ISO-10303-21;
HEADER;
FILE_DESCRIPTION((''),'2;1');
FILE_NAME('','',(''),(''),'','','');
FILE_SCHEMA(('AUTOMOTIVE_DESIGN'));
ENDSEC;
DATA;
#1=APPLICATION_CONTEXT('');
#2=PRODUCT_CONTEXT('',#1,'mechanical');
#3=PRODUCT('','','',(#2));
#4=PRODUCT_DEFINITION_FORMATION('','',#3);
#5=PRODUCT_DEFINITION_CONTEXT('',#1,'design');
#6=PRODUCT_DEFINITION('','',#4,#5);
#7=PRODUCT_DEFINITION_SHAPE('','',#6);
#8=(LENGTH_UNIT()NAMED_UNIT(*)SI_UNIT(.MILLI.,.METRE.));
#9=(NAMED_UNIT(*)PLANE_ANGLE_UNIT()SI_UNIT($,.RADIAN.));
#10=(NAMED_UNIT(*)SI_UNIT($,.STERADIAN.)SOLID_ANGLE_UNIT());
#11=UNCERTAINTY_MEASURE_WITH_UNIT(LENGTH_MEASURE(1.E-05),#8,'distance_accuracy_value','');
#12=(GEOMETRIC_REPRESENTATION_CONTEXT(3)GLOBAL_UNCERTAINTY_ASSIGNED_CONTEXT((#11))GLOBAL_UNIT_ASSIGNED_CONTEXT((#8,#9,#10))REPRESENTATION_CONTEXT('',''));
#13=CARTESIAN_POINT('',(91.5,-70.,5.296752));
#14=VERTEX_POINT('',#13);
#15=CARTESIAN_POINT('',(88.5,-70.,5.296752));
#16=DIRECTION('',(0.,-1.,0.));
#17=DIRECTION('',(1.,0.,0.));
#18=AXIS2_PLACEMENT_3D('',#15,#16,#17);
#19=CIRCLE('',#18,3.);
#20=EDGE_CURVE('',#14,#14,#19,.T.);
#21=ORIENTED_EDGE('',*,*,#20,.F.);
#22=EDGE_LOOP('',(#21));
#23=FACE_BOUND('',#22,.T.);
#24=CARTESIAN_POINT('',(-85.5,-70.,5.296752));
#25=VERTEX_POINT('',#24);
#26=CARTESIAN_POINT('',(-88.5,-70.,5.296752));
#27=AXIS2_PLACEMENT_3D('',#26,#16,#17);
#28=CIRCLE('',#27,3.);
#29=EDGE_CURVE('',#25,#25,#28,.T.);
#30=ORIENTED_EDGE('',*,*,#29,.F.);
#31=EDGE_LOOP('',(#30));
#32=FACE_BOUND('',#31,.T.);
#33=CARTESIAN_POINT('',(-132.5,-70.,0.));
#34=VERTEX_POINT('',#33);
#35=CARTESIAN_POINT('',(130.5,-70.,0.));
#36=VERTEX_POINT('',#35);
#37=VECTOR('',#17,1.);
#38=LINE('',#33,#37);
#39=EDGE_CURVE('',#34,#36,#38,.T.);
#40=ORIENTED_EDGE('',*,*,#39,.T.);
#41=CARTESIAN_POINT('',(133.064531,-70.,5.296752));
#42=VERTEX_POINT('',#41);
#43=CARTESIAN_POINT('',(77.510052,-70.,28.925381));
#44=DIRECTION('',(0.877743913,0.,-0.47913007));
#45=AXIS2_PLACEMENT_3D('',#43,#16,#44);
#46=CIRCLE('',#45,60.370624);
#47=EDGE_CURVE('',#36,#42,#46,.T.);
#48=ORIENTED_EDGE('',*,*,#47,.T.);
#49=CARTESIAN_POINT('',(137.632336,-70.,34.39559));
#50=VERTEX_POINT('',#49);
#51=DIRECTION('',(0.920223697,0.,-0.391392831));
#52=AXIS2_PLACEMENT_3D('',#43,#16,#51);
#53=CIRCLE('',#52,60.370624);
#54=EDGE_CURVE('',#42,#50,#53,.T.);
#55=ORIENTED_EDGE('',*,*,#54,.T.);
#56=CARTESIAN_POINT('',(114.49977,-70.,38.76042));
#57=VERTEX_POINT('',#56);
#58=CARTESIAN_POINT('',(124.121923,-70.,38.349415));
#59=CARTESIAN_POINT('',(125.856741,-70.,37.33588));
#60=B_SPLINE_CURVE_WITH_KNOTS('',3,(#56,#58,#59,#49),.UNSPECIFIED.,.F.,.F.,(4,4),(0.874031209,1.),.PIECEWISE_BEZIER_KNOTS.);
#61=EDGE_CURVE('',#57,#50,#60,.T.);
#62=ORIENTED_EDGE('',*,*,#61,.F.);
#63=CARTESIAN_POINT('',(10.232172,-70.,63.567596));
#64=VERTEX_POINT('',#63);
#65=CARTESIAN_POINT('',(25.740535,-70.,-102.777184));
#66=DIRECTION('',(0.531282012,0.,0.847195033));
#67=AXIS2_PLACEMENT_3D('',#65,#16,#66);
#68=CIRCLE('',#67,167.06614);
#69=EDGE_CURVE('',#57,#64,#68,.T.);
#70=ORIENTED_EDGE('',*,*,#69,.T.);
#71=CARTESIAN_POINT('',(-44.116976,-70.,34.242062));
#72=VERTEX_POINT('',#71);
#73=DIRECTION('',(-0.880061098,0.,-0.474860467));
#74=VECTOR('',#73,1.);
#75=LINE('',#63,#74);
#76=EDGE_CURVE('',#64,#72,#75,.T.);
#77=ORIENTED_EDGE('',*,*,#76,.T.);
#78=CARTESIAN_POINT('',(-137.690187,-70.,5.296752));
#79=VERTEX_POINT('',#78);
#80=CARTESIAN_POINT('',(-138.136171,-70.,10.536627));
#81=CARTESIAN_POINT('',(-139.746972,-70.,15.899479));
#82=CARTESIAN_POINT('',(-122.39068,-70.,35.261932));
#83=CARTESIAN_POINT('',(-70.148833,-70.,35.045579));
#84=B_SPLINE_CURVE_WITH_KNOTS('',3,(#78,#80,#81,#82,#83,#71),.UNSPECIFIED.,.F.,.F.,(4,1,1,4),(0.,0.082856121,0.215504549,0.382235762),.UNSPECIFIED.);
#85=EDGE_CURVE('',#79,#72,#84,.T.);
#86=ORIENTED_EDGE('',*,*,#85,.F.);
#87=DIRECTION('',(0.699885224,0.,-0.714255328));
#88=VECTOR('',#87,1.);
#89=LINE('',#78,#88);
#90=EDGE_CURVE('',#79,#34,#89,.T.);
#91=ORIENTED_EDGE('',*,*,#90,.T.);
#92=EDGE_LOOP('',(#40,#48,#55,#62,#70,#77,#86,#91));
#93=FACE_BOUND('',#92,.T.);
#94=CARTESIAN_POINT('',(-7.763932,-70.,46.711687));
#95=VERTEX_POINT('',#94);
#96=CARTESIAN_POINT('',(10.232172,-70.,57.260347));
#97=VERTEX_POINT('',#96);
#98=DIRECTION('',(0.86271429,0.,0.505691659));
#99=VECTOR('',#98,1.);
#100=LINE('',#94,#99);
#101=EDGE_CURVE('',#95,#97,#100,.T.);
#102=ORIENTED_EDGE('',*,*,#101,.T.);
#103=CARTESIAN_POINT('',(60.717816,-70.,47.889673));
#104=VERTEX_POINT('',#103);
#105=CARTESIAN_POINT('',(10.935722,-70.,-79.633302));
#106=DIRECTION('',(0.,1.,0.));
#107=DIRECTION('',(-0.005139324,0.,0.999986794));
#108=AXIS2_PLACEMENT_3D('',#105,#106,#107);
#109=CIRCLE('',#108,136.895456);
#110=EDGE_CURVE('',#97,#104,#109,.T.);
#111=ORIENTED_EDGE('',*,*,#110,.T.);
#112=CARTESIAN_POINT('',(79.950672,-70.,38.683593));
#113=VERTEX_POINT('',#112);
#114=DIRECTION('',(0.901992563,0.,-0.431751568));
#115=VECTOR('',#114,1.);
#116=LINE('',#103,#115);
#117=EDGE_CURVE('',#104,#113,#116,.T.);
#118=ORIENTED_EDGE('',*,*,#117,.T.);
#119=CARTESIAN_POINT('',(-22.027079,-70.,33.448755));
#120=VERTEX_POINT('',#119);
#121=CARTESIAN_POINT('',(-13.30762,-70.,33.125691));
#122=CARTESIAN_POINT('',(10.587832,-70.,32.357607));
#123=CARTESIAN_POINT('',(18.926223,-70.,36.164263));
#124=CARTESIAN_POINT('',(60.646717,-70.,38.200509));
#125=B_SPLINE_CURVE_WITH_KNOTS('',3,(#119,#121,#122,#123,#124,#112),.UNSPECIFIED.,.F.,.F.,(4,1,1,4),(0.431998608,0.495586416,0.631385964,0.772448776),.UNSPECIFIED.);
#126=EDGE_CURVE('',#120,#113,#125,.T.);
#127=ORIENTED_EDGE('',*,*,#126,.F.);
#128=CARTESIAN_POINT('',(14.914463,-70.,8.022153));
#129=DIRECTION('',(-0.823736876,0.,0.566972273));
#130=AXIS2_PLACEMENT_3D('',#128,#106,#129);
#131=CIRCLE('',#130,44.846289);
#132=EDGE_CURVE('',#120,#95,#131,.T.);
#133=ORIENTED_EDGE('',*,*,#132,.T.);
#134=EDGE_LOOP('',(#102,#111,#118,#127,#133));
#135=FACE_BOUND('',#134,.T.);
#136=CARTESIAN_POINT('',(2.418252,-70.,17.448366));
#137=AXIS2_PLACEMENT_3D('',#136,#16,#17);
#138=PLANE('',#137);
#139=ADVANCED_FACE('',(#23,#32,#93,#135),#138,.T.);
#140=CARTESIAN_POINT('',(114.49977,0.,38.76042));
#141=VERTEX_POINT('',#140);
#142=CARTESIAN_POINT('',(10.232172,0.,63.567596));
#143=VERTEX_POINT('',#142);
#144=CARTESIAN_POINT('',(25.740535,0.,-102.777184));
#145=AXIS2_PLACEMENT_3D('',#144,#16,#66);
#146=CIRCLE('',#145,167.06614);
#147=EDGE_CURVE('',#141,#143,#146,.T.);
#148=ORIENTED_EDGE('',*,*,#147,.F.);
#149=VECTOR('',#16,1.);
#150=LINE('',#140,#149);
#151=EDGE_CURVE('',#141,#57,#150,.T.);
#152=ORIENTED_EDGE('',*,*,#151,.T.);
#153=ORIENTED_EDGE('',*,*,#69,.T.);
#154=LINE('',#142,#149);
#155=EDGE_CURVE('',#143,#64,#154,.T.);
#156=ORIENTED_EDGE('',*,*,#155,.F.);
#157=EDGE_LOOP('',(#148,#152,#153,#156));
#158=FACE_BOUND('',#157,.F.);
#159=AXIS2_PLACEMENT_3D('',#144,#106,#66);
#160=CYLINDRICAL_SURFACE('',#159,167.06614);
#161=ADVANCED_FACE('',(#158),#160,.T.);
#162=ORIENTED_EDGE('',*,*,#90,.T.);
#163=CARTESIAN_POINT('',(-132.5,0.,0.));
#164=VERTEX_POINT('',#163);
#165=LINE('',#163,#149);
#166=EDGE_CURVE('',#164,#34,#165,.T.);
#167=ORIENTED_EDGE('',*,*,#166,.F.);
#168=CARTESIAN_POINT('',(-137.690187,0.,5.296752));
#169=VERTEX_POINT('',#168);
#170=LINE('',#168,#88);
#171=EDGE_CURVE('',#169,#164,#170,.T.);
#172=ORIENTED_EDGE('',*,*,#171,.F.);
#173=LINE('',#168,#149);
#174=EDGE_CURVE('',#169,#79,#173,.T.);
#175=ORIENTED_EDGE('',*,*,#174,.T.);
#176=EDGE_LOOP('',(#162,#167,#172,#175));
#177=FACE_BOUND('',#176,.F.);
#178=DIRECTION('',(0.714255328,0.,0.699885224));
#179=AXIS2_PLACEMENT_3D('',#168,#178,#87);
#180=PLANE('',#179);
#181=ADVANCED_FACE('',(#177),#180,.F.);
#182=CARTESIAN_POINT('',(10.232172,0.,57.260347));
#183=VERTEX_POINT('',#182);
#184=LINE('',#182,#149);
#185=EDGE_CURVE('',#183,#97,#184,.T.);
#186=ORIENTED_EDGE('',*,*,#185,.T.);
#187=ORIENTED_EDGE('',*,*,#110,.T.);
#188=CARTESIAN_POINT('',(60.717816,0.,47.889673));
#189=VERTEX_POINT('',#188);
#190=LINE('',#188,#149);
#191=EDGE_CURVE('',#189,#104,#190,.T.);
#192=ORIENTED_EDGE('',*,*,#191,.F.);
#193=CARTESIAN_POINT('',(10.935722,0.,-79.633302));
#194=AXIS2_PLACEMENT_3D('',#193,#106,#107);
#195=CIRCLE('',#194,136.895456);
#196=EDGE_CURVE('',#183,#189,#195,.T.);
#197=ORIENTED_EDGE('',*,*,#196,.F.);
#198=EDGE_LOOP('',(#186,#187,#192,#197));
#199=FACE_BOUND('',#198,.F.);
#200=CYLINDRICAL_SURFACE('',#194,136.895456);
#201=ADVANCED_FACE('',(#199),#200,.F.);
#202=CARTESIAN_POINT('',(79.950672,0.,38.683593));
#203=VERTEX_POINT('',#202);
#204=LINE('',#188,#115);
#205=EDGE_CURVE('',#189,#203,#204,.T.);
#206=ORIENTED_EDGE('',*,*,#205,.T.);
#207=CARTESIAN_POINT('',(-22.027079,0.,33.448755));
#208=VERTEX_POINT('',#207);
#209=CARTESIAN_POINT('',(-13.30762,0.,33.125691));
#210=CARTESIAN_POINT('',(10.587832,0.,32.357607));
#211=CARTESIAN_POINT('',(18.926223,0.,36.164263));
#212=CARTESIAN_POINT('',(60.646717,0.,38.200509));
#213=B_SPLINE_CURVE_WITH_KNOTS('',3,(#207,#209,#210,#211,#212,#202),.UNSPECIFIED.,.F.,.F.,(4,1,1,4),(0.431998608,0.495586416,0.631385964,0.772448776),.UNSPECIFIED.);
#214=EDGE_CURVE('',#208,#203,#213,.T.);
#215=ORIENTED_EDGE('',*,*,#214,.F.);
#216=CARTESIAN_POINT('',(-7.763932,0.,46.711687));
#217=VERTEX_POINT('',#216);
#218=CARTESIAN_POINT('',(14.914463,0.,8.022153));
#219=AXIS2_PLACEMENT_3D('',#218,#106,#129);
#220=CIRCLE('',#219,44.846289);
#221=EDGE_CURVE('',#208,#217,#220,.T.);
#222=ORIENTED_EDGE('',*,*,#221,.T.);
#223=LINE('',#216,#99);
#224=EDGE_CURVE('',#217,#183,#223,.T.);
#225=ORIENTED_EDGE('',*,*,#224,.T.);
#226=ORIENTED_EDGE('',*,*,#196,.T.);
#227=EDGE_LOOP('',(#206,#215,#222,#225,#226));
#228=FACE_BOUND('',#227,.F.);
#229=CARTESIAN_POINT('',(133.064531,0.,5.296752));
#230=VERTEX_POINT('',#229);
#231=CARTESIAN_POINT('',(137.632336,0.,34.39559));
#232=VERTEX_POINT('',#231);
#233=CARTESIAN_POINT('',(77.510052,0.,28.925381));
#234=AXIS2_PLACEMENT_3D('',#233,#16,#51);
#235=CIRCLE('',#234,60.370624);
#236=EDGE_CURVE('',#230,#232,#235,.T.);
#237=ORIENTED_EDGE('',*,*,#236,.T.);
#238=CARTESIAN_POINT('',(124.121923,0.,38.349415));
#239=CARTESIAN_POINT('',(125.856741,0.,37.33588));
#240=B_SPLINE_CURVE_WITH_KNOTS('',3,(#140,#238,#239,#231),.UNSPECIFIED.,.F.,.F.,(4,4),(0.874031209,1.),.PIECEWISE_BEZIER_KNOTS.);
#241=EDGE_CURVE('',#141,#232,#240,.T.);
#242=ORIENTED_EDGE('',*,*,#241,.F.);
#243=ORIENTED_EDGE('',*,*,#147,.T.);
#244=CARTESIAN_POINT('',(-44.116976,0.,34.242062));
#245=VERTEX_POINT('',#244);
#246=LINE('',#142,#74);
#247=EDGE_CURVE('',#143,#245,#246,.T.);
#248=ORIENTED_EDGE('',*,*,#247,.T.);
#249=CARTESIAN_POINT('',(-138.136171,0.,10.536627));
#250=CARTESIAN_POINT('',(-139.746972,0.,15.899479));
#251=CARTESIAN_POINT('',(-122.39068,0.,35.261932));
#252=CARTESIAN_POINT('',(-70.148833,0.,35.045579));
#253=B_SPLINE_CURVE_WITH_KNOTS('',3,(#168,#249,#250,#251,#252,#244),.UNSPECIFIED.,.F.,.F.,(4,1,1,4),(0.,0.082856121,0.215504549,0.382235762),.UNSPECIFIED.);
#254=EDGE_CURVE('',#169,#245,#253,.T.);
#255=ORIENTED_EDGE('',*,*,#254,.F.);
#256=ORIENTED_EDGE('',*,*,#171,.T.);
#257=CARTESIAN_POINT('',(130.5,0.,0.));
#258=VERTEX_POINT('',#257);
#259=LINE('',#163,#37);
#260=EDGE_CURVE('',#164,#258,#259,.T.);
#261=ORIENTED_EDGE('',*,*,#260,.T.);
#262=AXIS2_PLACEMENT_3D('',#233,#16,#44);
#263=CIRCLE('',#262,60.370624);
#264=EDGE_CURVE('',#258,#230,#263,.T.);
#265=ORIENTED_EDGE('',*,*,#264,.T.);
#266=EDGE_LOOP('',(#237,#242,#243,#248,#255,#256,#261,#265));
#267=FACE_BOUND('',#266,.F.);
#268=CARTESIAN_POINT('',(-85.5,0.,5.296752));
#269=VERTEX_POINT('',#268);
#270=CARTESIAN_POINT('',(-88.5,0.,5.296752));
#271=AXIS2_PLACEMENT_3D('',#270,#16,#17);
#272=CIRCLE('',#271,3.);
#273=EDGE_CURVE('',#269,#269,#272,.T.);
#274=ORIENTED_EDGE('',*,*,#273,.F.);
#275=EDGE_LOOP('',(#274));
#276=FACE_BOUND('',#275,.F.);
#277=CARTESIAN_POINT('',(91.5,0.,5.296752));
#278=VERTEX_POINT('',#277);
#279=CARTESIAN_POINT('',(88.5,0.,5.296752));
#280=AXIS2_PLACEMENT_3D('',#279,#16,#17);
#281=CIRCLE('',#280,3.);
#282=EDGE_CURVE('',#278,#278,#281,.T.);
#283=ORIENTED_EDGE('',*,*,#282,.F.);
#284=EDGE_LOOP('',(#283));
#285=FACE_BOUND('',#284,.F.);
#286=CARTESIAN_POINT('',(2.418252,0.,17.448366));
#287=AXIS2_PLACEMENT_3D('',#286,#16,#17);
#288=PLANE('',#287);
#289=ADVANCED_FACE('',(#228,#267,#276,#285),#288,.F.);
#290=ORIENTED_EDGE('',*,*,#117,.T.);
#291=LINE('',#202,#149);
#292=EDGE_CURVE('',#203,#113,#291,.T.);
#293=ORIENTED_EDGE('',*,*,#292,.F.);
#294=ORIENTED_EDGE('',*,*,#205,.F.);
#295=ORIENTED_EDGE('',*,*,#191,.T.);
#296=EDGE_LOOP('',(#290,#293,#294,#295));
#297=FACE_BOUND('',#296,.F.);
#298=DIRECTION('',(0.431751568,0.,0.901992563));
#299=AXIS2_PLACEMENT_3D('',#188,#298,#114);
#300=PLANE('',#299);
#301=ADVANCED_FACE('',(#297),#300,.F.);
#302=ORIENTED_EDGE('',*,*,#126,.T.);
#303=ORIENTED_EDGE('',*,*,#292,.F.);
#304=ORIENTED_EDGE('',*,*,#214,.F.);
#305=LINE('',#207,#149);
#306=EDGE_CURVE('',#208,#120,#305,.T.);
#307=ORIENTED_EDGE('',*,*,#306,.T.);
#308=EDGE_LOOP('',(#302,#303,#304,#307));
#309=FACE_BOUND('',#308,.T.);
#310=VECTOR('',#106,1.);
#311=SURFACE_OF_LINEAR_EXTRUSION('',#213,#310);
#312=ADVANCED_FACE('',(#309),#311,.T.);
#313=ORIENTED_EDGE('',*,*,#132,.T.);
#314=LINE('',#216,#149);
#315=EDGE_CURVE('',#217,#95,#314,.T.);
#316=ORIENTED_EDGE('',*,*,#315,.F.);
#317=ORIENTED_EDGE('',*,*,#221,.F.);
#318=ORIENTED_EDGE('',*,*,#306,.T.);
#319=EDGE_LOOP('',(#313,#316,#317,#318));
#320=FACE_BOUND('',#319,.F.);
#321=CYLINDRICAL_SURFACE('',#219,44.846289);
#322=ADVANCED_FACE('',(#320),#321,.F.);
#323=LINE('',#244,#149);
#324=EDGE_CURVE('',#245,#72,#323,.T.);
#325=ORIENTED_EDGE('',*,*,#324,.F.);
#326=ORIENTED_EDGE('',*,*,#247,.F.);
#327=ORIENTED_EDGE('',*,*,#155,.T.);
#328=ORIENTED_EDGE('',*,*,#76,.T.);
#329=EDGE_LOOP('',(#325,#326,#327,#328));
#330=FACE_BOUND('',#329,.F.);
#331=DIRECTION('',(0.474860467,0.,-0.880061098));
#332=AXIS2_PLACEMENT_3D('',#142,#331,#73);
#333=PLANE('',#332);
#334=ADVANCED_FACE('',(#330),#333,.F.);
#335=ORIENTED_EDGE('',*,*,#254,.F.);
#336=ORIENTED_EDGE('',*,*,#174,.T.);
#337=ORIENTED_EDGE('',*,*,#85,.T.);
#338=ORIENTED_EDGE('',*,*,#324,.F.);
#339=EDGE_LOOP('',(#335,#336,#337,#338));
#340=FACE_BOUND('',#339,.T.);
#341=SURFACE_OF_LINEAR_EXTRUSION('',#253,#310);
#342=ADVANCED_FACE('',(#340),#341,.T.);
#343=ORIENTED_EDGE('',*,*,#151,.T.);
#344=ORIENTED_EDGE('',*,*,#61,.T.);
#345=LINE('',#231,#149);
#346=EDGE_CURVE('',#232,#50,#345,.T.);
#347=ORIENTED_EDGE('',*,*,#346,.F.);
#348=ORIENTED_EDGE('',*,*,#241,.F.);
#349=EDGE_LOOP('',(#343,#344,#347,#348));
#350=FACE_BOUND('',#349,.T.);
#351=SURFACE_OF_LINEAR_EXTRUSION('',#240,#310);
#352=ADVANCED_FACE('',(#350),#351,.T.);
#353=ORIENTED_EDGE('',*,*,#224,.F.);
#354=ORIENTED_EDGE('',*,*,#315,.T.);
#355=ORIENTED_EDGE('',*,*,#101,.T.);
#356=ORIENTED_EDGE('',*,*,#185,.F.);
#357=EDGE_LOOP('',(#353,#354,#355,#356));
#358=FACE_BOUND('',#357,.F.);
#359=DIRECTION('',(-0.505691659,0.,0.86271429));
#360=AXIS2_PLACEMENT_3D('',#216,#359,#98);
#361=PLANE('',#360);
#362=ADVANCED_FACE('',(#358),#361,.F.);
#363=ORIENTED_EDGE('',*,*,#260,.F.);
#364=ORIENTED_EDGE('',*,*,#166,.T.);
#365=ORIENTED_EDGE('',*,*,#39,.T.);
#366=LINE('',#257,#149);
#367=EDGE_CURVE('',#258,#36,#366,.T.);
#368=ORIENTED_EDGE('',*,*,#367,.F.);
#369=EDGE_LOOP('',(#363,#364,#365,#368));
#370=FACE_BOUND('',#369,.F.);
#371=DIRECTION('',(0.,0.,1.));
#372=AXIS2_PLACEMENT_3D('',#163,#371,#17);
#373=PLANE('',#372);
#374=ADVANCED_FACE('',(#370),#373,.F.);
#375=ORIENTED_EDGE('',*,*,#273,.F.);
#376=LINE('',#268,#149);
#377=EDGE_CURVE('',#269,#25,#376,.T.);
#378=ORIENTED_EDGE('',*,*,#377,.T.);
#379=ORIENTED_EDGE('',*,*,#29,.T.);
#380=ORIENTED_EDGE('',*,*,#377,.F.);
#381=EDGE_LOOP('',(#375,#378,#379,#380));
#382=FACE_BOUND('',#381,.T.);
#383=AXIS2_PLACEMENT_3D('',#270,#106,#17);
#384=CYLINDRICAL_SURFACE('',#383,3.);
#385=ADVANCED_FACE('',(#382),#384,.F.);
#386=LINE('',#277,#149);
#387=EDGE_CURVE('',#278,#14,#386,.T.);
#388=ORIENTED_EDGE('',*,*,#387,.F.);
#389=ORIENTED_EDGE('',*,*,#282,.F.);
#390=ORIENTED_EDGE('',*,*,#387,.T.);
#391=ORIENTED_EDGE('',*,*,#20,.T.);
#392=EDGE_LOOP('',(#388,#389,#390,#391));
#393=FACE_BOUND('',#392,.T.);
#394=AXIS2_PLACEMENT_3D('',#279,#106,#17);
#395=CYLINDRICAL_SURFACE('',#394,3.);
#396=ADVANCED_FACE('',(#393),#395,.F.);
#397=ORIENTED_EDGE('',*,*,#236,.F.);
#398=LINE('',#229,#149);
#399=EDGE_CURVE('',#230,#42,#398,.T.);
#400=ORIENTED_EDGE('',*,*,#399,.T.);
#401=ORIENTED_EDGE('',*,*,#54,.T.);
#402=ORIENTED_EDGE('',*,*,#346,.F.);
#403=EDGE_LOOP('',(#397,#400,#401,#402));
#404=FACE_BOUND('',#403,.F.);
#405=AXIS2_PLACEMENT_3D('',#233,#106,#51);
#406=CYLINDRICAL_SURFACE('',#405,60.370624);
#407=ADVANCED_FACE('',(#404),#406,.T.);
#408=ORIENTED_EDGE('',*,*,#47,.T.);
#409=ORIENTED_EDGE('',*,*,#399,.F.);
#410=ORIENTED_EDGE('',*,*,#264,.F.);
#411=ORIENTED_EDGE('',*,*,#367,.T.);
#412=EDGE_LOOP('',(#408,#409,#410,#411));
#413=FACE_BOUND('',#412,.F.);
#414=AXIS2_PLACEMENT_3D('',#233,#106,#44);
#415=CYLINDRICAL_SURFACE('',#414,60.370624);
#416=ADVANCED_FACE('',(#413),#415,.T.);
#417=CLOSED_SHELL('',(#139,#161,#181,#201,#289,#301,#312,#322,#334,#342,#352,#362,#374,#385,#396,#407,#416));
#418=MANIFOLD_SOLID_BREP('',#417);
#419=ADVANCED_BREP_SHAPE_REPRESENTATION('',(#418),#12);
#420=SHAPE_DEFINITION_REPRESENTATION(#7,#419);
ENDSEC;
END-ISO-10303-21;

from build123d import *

# Parameters (mm, degrees)
F0_R     = 3
F1_DEPTH = 70


with BuildPart() as f1:
    # F0 (on Front) → F1 (new body)
    with BuildSketch(Plane.XZ):
        with BuildLine():
            Line((-111.5, 0), (-65.5, 0))
            Line((-65.5, 0), (65.5, 0))
            Line((65.5, 0), (111.5, 0))
            Line((111.5, 0), (130.5, 0))
            ThreePointArc((130.5, 0), (131.8468448465, 2.6171085291), (133.0645310662, 5.2967518568))
            ThreePointArc((133.0645310662, 5.2967518568), (137.1503404683, 19.5633158944), (137.6323364973, 34.3955904245))
            add(Edge.make_bspline(
                [(114.4997701049, 38.760419935), (124.1219228185, 38.3494152284), (125.8567408625, 37.3358803896), (137.6323364973, 34.3955904245)],
                knots=[0.8740312085, 0.8740312085, 0.8740312085, 0.8740312085, 1, 1, 1, 1], degree=3))
            add(Edge.make_bspline(
                [(79.9506717595, 38.6835931743), (93.8518742864, 39.0314730271), (106.7403745376, 39.0918580438), (114.4997701049, 38.760419935)],
                knots=[0.7724487755, 0.7724487755, 0.7724487755, 0.7724487755, 0.8740312085, 0.8740312085, 0.8740312085, 0.8740312085], degree=3))
            add(Edge.make_bspline(
                [(-22.0270791966, 33.4487550395), (-13.3076197718, 33.1256909406), (10.5878315252, 32.3576068296), (18.9262232464, 36.1642627718), (60.6467167467, 38.2005085624), (79.9506717595, 38.6835931743)],
                knots=[0.4319986084, 0.4319986084, 0.4319986084, 0.4319986084, 0.4955864164, 0.6313859638, 0.7724487755, 0.7724487755, 0.7724487755, 0.7724487755], degree=3))
            add(Edge.make_bspline(
                [(-44.1169762461, 34.242061633), (-36.3474696979, 34.0022425737), (-28.8507947828, 33.7015800621), (-22.0270791966, 33.4487550395)],
                knots=[0.3822357624, 0.3822357624, 0.3822357624, 0.3822357624, 0.4319986084, 0.4319986084, 0.4319986084, 0.4319986084], degree=3))
            add(Edge.make_bspline(
                [(-137.6901865005, 5.2967518568), (-138.1361705468, 10.5366267583), (-139.7469723452, 15.8994790424), (-122.3906804514, 35.2619318066), (-70.1488325634, 35.045579238), (-44.1169762461, 34.242061633)],
                knots=[0, 0, 0, 0, 0.0828561207, 0.2155045488, 0.3822357624, 0.3822357624, 0.3822357624, 0.3822357624], degree=3))
            Line((-137.6901865005, 5.2967518568), (-132.5, 0))
            Line((-132.5, 0), (-111.5, 0))
        make_face()
        with Locations((-88.5, 5.2967518568)):
            Circle(F0_R, mode=Mode.SUBTRACT)
        with Locations((88.5, 5.2967518568)):
            Circle(F0_R, mode=Mode.SUBTRACT)
        with BuildLine():
            Line((10.2321720927, 63.5675959729), (-44.1169762461, 34.242061633))
            add(Edge.make_bspline(
                [(-44.1169762461, 34.242061633), (-36.3474696979, 34.0022425737), (-28.8507947828, 33.7015800621), (-22.0270791966, 33.4487550395)],
                knots=[0.3822357624, 0.3822357624, 0.3822357624, 0.3822357624, 0.4319986084, 0.4319986084, 0.4319986084, 0.4319986084], degree=3))
            ThreePointArc((-22.0270791966, 33.4487550395), (-15.6242101117, 40.8638805308), (-7.76393155, 46.7116869146))
            Line((-7.76393155, 46.7116869146), (10.2321720927, 57.2603466742))
            ThreePointArc((10.2321720927, 57.2603466742), (35.9182812309, 54.9632721639), (60.7178164546, 47.8896728921))
            Line((60.7178164546, 47.8896728921), (79.9506717595, 38.6835931743))
            add(Edge.make_bspline(
                [(79.9506717595, 38.6835931743), (93.8518742864, 39.0314730271), (106.7403745376, 39.0918580438), (114.4997701049, 38.760419935)],
                knots=[0.7724487755, 0.7724487755, 0.7724487755, 0.7724487755, 0.8740312085, 0.8740312085, 0.8740312085, 0.8740312085], degree=3))
            ThreePointArc((114.4997701049, 38.760419935), (64.4092764451, 59.7522704848), (10.2321720927, 63.5675959729))
        make_face()
    extrude(amount=F1_DEPTH)


solid = f1.part
